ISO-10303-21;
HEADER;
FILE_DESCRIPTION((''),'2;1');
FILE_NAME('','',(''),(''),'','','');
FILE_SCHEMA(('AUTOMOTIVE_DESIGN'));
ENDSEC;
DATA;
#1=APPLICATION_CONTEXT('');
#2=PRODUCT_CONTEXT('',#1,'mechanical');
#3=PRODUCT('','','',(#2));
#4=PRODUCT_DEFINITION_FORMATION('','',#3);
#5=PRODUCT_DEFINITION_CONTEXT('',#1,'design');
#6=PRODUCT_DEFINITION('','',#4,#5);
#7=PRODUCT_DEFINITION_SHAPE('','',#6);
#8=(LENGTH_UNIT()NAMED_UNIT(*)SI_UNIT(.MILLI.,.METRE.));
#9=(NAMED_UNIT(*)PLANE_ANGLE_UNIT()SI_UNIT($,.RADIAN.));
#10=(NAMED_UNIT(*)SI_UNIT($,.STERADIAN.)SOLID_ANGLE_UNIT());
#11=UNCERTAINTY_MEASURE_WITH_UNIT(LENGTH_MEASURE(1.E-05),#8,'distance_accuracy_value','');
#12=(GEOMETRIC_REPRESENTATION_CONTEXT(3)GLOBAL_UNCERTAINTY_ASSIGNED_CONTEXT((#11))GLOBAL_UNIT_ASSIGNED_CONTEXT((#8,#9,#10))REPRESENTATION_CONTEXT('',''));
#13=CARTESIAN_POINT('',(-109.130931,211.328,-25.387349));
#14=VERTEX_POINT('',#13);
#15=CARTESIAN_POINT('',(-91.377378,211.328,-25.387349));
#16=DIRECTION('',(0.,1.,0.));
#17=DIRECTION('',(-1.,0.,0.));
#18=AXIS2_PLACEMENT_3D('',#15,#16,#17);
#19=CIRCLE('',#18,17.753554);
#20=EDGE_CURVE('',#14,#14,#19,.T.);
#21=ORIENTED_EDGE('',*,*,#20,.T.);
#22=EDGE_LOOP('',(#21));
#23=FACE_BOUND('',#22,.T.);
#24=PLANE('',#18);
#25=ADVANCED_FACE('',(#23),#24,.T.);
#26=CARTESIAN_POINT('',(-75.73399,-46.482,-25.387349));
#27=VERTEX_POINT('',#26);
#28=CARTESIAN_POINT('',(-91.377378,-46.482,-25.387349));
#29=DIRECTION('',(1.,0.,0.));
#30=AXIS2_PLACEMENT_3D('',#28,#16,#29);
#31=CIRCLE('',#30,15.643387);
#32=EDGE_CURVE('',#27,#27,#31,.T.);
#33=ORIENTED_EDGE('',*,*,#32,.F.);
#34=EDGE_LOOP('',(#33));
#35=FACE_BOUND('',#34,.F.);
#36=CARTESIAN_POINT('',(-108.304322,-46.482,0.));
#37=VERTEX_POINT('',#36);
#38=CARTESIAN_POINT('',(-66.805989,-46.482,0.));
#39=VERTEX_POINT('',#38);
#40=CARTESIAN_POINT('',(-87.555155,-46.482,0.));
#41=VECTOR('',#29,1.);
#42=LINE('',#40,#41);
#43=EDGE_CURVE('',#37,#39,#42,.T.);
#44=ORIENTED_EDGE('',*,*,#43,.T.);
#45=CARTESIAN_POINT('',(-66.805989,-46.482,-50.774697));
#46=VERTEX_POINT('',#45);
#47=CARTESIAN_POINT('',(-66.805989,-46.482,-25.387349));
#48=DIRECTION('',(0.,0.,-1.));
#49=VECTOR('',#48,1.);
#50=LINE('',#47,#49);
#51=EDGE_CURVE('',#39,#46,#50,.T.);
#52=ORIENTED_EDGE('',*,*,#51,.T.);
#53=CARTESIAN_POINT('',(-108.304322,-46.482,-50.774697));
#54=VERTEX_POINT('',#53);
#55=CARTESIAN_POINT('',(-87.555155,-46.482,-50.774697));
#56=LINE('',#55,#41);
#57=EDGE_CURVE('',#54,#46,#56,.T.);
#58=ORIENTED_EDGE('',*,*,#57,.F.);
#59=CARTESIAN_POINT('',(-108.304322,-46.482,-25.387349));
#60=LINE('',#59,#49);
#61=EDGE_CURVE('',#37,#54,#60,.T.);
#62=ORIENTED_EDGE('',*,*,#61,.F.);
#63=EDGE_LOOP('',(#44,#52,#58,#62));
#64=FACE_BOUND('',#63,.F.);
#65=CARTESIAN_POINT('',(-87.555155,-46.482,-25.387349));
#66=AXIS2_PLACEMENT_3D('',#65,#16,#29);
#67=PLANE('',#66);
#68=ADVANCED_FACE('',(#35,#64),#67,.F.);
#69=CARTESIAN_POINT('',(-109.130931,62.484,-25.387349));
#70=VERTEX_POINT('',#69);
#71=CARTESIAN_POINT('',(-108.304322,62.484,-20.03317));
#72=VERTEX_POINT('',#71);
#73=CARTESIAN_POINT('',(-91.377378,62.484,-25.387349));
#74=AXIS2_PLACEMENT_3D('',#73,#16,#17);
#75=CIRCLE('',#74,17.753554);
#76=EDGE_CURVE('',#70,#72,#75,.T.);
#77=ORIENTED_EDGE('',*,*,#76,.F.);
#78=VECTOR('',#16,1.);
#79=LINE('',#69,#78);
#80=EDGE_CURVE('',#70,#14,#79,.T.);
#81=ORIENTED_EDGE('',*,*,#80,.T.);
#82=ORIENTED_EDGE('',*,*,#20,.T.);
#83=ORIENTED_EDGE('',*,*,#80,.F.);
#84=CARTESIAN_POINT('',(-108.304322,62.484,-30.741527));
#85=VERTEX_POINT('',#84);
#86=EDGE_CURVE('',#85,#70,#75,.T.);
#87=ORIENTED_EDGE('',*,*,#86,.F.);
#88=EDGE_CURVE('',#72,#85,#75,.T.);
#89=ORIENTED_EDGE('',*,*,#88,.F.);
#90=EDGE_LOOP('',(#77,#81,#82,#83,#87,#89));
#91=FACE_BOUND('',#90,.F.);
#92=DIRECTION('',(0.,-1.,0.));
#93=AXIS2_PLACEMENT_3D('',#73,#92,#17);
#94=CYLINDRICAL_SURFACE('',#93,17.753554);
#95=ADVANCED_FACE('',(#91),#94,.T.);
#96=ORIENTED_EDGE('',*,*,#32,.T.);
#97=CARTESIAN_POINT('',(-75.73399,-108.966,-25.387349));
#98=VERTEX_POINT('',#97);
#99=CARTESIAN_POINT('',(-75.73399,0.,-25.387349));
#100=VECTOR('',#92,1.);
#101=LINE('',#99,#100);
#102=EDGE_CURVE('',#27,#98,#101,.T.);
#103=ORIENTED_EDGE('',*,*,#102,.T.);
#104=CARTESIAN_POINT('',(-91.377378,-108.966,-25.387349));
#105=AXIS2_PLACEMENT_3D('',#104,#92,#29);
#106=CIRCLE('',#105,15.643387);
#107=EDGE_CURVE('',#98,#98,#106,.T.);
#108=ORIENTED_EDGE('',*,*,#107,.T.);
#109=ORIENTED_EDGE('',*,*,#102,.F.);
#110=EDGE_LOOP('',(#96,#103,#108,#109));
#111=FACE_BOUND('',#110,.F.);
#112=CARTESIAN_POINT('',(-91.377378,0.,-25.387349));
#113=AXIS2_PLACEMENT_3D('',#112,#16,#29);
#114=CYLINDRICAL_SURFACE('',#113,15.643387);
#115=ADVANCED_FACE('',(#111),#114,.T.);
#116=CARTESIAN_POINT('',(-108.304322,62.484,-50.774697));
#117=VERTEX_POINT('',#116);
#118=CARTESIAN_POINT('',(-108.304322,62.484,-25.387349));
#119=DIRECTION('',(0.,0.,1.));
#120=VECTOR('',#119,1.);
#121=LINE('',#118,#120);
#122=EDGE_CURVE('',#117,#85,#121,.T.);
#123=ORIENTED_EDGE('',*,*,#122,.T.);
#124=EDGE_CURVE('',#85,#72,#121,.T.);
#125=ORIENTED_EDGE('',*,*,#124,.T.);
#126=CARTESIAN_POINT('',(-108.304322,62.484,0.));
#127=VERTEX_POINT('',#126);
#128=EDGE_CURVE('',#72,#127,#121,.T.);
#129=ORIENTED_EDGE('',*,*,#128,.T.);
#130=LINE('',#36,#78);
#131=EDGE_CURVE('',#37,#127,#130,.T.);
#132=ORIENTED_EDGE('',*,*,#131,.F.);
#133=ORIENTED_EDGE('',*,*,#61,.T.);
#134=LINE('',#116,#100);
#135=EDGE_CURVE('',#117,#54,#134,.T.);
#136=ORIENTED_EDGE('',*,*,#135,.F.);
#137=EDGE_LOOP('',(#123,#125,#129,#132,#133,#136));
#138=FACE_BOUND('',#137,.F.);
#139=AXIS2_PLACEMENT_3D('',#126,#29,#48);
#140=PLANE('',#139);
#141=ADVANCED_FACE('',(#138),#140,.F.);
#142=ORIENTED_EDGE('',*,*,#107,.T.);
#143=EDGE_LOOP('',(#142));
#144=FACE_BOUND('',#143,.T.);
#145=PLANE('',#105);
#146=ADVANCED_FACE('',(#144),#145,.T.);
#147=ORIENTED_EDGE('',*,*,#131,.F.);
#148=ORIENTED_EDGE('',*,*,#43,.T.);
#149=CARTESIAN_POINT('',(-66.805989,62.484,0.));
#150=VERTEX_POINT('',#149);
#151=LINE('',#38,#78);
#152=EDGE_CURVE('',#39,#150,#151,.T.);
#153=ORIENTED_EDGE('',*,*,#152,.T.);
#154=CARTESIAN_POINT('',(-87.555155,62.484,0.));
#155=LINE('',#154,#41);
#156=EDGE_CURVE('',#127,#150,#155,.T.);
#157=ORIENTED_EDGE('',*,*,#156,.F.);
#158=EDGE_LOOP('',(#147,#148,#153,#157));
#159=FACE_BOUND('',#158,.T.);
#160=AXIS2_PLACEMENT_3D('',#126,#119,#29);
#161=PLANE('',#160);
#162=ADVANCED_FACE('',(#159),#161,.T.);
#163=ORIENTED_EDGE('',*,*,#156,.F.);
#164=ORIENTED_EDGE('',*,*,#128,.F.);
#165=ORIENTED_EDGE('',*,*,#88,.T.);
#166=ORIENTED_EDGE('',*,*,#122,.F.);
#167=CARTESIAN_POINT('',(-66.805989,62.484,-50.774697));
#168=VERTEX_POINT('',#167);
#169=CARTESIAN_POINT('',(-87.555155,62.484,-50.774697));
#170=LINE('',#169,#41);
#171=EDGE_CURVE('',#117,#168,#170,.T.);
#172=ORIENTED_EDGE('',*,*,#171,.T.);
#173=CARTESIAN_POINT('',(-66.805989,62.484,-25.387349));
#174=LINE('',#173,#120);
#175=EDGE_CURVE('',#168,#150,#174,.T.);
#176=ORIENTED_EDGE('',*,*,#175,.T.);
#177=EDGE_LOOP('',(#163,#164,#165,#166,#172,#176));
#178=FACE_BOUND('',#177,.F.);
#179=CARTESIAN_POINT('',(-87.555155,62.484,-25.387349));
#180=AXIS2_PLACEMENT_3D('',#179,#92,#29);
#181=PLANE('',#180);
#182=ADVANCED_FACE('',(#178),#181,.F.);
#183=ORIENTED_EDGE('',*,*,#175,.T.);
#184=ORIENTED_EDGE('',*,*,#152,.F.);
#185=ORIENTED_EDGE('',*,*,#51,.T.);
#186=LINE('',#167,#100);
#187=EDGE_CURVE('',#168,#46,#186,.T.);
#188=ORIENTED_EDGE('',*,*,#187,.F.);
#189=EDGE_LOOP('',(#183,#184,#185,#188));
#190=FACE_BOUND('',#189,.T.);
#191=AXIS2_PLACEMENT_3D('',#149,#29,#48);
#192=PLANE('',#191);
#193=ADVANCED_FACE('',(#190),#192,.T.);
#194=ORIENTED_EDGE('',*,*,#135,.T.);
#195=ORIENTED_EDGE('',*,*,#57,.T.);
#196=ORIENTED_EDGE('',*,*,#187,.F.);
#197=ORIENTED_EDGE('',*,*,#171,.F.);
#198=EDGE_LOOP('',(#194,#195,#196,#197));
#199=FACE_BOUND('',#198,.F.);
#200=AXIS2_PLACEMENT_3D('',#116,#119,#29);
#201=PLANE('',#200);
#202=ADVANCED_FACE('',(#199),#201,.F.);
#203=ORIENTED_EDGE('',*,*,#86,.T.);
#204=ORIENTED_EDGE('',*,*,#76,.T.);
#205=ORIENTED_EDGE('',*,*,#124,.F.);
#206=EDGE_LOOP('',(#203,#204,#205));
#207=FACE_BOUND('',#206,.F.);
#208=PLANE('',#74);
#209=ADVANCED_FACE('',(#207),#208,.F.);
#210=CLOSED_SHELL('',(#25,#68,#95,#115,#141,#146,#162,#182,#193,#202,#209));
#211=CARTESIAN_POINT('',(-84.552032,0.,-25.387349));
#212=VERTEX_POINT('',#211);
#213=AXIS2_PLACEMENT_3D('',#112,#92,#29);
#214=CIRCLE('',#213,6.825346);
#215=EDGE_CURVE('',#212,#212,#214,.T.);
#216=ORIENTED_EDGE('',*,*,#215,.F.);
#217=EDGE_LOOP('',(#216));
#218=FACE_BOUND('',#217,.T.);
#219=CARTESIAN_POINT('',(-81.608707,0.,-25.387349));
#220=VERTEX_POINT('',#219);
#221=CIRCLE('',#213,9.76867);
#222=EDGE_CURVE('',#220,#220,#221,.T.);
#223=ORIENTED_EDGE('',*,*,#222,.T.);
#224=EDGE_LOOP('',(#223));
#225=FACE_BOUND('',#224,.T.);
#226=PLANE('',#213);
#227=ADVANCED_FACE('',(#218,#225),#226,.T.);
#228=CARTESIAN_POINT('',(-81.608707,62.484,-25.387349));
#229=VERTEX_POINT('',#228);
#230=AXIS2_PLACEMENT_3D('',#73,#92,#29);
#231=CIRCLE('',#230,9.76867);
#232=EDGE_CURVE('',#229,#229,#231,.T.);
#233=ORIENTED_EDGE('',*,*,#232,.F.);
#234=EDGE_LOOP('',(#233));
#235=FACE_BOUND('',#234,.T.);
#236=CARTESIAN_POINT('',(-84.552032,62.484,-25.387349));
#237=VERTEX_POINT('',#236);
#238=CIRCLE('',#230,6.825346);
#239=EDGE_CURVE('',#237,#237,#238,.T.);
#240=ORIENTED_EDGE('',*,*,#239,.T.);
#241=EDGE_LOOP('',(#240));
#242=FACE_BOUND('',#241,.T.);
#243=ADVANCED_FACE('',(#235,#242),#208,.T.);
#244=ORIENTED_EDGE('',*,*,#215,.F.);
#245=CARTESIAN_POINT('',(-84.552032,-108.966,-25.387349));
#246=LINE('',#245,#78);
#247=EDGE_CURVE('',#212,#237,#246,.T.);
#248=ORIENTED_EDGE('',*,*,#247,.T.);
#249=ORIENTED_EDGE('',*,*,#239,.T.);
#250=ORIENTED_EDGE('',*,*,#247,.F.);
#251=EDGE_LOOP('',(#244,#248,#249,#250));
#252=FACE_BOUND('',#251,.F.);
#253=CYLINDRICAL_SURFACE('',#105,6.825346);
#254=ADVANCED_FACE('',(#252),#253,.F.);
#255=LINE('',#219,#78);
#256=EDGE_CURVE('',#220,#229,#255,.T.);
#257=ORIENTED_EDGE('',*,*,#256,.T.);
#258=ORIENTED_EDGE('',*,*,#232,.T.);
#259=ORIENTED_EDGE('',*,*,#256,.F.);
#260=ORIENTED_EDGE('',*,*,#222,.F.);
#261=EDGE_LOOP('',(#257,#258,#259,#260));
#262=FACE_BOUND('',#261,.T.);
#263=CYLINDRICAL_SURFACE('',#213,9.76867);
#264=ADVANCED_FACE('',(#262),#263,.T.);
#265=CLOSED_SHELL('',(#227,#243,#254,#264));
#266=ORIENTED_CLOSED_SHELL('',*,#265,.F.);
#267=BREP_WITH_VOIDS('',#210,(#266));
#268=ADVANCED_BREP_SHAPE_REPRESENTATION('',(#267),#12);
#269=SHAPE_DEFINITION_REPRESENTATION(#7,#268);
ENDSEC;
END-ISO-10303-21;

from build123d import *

# Parameters (mm, degrees)
F0_W       = 41.4983332157
F0_H       = 50.7746972144
F0_R       = 9.7686704189
F1_DEPTH   = 62.484
F2_R       = 15.6433873562
F1_FACE1_W = 41.4983332157
F1_FACE1_H = 50.7746972144
F1_FACE1_R = 9.7686704189
F3_DEPTH   = 108.966
F4_R       = 17.7535536274
F5_DEPTH   = 148.844
F6_R       = 6.8253458282
F7_DEPTH   = 248.92


with BuildPart() as f1:
    # F0 (on Front) → F1 (new body)
    with BuildSketch(Plane.XZ):
        with Locations((-87.555155158, -25.3873486072)):
            Rectangle(F0_W, F0_H)
        with Locations((-91.3773775101, -25.3873486072)):
            Circle(F0_R, mode=Mode.SUBTRACT)
    extrude(amount=-F1_DEPTH)

    # F2 (on face) + F1_face1 (on face) → F3 (join)
    with BuildSketch(Plane.XZ):
        with Locations((-91.3773775101, -25.3873486072)):
            Circle(F2_R)
    with BuildSketch(Plane(origin=(-86.9211204596, 62.484, -25.3873486072), x_dir=(1, 0, 0), z_dir=(0, 1, 0))):
        with Locations((-0.6340346985, 0)):
            Rectangle(F1_FACE1_W, F1_FACE1_H)
        with Locations((-4.4562570505, 0)):
            Circle(F1_FACE1_R, mode=Mode.SUBTRACT)
    extrude(amount=F3_DEPTH, dir=(0, -1, 0))

    # F4 (on face) → F5 (join)
    with BuildSketch(Plane(origin=(0, 62.484, 0), x_dir=(-1, 0, 0), z_dir=(0, 1, 0))):
        with Locations((91.3773775101, -25.3873486072)):
            Circle(F4_R)
    extrude(amount=F5_DEPTH)

    # F6 (on face) → F7 (join)
    with BuildSketch(Plane.XZ.offset(108.966)):
        with Locations((-91.3773775101, -25.3873486072)):
            Circle(F6_R)
    extrude(amount=-F7_DEPTH)


solid = f1.part
